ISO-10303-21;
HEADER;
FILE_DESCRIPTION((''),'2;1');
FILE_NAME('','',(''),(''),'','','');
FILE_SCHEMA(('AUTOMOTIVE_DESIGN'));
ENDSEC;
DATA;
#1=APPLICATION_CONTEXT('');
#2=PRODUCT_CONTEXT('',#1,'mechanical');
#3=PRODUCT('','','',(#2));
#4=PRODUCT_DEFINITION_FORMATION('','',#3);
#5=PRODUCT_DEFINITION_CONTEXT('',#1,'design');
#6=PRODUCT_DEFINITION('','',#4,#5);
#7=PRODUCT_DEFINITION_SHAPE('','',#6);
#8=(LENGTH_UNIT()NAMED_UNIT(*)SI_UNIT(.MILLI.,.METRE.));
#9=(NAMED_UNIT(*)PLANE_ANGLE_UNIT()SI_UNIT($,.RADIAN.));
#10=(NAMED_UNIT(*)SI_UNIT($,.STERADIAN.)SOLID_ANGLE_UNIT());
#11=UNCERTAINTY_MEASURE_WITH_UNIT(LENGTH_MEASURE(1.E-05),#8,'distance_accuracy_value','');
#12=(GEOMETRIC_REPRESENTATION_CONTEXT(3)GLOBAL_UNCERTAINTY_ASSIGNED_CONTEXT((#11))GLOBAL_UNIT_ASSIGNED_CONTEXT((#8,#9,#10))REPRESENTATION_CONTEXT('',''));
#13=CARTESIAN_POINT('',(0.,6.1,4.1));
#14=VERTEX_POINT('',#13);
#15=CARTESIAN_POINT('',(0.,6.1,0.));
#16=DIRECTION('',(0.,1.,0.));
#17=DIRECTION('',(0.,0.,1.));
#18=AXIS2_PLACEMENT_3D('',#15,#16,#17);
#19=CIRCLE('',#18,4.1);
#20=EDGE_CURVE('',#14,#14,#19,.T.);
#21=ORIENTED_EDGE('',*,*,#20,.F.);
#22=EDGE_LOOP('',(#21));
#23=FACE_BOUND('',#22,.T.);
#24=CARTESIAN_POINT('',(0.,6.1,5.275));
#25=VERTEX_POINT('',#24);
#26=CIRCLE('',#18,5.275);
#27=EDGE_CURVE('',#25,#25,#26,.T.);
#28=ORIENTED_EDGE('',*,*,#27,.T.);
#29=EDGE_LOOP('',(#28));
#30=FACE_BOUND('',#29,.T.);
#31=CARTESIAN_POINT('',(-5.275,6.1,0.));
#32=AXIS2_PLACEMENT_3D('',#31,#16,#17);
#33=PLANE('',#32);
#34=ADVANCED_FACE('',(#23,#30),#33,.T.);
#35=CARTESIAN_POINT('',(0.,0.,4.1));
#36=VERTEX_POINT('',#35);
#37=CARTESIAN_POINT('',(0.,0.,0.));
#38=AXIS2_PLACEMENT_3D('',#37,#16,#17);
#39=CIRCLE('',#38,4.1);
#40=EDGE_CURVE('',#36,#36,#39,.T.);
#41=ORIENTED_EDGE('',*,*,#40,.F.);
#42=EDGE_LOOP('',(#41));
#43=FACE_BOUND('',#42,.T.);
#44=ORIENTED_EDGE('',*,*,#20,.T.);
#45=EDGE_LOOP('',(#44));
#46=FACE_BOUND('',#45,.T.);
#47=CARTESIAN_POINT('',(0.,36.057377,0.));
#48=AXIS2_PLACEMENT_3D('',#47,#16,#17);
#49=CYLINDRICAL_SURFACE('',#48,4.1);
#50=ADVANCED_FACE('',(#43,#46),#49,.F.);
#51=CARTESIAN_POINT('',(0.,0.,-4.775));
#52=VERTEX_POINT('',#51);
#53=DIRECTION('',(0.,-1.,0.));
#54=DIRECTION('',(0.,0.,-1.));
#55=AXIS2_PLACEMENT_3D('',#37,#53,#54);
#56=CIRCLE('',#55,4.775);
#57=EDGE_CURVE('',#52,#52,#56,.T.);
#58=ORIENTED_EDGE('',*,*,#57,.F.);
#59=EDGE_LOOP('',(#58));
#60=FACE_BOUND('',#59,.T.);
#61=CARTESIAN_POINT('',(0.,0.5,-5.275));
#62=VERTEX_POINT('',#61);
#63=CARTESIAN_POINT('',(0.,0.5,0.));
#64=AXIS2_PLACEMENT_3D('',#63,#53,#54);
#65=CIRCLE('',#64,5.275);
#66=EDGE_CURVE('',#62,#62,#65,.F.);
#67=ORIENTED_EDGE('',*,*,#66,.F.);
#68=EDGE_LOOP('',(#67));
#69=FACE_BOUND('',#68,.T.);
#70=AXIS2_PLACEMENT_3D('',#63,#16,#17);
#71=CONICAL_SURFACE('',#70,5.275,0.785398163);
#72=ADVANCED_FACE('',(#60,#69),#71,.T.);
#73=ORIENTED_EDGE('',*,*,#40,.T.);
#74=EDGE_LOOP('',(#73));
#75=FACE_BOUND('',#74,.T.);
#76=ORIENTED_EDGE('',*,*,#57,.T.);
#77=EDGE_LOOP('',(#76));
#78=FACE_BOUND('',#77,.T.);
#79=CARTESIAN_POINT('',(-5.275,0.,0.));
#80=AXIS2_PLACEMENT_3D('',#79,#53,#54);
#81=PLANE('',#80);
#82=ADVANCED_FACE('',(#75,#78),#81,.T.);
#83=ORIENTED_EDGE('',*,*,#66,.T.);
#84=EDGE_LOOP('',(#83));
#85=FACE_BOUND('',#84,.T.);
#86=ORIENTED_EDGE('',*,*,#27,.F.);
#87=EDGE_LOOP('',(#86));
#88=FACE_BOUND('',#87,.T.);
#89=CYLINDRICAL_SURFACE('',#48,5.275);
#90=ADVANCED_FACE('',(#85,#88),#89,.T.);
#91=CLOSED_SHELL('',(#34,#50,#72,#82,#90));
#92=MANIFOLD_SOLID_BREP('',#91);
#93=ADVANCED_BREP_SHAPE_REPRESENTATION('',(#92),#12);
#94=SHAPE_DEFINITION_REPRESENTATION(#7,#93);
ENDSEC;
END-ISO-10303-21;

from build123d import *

# Parameters (mm, degrees)
SKETCH1_W     = 1.175
SKETCH1_H     = 6.1
CHAMFER1_SIZE = 0.5


with BuildPart() as part:
    # Sketch1 → Revolve1 (revolve)
    with BuildSketch(Plane.XY):
        with Locations((-4.6875, 3.05)):
            Rectangle(SKETCH1_W, SKETCH1_H)
    revolve(axis=Axis((0, 36.057377049, 0), (0, -1, 0)))

    # Chamfer1
    chamfer1_edges = [part.edges().sort_by_distance(p)[0] for p in [
        (5.275, 0, 0),
    ]]
    chamfer(chamfer1_edges, length=CHAMFER1_SIZE)


solid = part.part
